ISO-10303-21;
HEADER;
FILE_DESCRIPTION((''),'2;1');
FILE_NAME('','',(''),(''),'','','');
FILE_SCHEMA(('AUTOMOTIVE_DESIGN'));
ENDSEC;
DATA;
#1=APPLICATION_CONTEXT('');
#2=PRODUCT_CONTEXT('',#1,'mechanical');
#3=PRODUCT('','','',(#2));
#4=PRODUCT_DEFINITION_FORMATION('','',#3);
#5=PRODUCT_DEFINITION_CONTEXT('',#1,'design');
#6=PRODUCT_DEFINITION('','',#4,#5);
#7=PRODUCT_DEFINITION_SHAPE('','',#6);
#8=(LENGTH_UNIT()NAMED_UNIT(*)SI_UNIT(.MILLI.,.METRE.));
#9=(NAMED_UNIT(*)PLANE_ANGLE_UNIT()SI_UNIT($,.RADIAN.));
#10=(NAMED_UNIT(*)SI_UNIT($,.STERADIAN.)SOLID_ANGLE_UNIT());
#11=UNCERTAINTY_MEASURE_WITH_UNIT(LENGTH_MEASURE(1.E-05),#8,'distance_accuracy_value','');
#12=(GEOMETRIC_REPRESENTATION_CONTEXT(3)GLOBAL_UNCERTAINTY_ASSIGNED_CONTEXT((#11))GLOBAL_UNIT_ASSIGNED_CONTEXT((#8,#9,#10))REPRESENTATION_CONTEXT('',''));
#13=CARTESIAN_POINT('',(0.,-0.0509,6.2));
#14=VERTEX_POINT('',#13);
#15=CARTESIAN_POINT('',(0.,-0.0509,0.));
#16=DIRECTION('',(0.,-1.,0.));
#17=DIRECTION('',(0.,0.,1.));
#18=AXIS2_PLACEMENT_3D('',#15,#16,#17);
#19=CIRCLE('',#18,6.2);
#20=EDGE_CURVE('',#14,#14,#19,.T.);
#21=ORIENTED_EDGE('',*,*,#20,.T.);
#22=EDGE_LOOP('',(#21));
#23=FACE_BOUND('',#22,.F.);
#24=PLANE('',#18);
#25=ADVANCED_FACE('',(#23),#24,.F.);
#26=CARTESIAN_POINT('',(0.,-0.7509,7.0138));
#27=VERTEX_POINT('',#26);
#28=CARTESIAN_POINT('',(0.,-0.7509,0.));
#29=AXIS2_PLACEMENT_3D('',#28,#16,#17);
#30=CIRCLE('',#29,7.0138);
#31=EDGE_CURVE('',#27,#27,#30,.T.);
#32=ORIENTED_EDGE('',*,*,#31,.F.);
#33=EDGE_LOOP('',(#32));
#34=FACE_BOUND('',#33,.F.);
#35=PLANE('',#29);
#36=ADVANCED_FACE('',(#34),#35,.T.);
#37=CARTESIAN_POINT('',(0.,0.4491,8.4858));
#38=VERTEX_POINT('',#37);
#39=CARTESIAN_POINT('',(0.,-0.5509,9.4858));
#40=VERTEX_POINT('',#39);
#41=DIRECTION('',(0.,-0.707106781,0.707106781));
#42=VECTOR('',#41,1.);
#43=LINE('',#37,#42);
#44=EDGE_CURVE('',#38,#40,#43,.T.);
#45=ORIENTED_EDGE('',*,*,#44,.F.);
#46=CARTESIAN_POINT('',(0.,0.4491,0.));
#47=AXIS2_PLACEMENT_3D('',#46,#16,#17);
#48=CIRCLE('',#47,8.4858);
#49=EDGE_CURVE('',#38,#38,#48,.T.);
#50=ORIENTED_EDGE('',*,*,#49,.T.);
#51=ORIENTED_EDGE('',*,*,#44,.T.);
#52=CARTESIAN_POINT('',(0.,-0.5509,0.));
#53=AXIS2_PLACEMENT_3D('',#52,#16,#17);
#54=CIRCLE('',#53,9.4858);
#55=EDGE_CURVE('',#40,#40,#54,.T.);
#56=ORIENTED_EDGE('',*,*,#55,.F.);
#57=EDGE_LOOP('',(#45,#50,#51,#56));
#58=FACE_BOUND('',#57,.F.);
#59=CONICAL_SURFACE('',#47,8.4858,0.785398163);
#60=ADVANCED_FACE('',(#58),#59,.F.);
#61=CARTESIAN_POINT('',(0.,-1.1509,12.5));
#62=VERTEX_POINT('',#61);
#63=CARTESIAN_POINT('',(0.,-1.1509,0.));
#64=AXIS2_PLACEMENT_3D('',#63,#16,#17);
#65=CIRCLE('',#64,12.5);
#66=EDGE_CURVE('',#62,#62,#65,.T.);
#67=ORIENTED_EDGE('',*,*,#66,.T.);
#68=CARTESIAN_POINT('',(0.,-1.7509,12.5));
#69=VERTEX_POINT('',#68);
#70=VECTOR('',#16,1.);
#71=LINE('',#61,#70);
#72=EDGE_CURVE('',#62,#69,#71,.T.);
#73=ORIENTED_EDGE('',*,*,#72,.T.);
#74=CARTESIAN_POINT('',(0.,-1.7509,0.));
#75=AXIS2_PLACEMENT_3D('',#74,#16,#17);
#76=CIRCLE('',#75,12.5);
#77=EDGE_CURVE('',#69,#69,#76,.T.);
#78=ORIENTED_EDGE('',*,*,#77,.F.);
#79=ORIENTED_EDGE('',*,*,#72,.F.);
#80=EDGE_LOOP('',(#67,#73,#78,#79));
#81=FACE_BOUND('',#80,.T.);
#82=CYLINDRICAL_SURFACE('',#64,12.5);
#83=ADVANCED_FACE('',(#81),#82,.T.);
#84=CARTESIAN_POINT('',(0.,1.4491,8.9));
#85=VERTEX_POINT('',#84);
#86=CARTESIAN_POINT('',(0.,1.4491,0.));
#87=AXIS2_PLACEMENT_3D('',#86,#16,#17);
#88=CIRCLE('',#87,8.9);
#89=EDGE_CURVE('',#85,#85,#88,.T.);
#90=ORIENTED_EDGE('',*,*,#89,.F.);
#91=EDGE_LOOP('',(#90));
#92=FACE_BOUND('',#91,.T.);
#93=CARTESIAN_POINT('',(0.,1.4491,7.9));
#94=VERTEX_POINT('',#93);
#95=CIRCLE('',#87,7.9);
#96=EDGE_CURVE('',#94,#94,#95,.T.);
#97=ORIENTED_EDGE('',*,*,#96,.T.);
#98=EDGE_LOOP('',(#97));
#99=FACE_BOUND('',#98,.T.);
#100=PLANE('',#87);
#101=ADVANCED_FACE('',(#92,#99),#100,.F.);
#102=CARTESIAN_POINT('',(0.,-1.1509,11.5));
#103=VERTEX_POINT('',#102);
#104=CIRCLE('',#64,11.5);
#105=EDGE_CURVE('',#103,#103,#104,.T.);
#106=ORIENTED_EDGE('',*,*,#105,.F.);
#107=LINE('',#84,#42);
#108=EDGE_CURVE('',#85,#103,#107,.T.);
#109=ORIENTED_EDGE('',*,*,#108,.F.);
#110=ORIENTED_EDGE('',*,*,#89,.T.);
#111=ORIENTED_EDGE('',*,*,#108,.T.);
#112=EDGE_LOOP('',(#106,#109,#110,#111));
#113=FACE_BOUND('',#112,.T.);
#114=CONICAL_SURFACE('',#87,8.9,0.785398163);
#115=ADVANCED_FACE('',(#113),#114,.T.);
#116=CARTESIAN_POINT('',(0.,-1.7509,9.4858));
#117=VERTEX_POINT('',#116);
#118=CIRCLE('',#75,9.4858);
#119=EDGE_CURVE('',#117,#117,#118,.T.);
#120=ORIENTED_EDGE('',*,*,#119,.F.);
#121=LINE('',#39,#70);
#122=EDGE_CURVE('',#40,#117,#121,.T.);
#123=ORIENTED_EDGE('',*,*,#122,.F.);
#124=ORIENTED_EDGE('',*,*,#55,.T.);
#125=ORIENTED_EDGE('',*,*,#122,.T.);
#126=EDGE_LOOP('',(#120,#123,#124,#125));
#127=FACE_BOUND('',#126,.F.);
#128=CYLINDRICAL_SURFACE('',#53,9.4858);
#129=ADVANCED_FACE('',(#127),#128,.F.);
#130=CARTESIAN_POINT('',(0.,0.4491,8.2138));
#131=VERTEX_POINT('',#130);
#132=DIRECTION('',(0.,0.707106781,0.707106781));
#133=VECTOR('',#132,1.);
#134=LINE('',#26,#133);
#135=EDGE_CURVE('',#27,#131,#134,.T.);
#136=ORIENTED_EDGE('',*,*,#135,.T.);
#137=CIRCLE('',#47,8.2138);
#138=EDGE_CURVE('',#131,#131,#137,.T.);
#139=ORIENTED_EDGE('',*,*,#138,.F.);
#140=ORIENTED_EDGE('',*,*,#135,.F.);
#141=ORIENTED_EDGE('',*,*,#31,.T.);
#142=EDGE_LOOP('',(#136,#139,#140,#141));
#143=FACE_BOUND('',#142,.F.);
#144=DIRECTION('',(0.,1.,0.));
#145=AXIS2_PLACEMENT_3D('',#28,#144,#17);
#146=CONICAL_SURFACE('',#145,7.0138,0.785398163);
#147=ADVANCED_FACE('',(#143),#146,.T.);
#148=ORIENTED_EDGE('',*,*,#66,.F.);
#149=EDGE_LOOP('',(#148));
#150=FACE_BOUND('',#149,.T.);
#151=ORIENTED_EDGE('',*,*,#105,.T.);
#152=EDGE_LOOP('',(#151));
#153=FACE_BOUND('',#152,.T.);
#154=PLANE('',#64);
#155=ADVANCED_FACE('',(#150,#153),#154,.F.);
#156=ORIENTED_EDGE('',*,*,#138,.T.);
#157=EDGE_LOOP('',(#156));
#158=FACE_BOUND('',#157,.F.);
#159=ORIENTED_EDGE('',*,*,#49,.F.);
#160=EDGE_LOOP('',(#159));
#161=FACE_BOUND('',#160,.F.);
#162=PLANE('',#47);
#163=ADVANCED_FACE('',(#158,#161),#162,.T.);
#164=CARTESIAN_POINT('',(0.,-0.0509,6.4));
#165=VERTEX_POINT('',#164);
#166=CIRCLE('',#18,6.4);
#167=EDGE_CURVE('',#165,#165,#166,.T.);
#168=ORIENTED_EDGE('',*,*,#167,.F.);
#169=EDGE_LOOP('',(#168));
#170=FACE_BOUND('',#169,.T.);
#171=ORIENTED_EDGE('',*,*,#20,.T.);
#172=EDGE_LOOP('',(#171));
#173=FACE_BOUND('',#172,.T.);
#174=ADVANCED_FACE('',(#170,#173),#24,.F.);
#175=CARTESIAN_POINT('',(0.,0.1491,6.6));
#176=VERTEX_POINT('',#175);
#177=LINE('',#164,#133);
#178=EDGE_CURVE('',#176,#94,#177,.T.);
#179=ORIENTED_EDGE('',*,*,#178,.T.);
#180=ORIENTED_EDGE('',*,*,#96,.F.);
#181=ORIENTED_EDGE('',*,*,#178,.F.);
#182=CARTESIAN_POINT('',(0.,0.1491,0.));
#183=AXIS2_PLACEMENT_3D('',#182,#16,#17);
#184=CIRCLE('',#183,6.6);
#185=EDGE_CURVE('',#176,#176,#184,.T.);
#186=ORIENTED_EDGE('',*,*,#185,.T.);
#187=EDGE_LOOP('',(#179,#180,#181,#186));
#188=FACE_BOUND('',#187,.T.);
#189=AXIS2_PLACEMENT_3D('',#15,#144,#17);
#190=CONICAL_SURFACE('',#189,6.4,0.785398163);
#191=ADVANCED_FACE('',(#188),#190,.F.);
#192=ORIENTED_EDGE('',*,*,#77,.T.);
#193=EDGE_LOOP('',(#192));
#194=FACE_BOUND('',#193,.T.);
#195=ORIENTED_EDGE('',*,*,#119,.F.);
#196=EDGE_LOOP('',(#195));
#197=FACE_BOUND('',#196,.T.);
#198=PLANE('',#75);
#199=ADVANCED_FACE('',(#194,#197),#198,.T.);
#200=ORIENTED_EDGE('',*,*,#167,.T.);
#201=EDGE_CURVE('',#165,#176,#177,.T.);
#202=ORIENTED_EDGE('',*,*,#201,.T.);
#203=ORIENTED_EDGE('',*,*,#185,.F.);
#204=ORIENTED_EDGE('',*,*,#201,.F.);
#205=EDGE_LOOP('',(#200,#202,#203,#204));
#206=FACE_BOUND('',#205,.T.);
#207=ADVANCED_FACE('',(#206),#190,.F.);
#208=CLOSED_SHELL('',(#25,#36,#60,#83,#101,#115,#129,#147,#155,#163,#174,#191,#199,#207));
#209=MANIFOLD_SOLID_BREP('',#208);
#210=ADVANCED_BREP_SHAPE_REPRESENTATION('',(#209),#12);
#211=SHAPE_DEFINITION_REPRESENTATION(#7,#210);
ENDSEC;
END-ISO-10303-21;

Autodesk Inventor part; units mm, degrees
ref_plane "YZ Plane" through (0, 0, 0) normal (1, 0, 0) x (0, 1, 0)
ref_plane "XZ Plane" through (0, 0, 0) normal (0, 1, 0) x (-1, 0, 0)
ref_plane "XY Plane" through (0, 0, 0) normal (0, 0, 1) x (1, 0, 0)
sketch "Skizze1" plane through (0, 0, 0) normal (1, 0, 0) x (0, 1, 0)
  line L0 (3, 8.0893) -> (5.1212, 8.0893) construction
  line L1 (-0.0509, -6.2) -> (0.0741, -6.2) construction
  line L2 (0.0741, -6.2) -> (0.0741, 6.2) construction
  line L3 (0.0741, 6.2) -> (-0.0509, 6.2) construction
  line L4 (-0.0509, 6.2) -> (-0.0509, -6.2) construction
  line L5 (-0.0509, -6.2) -> (0.0741, 6.2) construction
  line L6 (0.0741, -6.2) -> (-0.0509, 6.2) construction
  line L7 (-0.0509, 6.2) -> (-0.0509, 0)
  line L8 (-0.0509, 0) -> (-0.7509, 0)
  line L9 (-0.7509, 0) -> (-0.7509, 7.0138)
  line L10 (-0.7509, 7.0138) -> (0.4491, 8.2138)
  line L11 (0.4491, 8.2138) -> (0.4491, 8.4858)
  line L12 (-0.0509, 6.2) -> (-0.0509, 6.4)
  line L13 (-0.0509, 6.4) -> (1.4491, 7.9)
  line L14 (1.4491, 7.9) -> (1.4491, 8.9)
  line L15 (1.4491, 8.9) -> (-1.1509, 11.5)
  line L16 (-1.7509, 12.5) -> (-1.7509, 9.4858)
  line L17 (0.4491, 8.4858) -> (-0.5509, 9.4858)
  line L18 (-0.5509, 9.4858) -> (-1.7509, 9.4858)
  line L19 (-1.1509, 11.5) -> (-1.1509, 12.5)
  line L20 (-1.1509, 12.5) -> (-1.7509, 12.5)
  line L21 (1.4491, 8.9) -> (1.4491, -8.9) projected
  line L22 (-1.1509, 11.5) -> (1.4491, 8.9)
  line L23 (1.4491, 7.9) -> (0.1491, 6.6)
  point P0 (0.0116, 0)
  point P1 (0.0116, 0)
  dimension "d14" = 0.125
  dimension "d16" = 0.7
  dimension "d18" = 135
  dimension "d20" = 0.2
  dimension "d27" = 135
  dimension "d28" = 1
  dimension "d29" = 1.2
  dimension "d30" = 1
  dimension "d31" = 1
  dimension "d34" = 1
  dimension "d36" = 0.6
  dimension "d37" = 12.5
  dimension "d39" = 1
revolve "Umdrehung1" add sketch "Skizze1" angle 360 about axis through (0, -0.0509, 0) along (0, -1, 0)
properties part number "50_ETL_Membrane_v0"
